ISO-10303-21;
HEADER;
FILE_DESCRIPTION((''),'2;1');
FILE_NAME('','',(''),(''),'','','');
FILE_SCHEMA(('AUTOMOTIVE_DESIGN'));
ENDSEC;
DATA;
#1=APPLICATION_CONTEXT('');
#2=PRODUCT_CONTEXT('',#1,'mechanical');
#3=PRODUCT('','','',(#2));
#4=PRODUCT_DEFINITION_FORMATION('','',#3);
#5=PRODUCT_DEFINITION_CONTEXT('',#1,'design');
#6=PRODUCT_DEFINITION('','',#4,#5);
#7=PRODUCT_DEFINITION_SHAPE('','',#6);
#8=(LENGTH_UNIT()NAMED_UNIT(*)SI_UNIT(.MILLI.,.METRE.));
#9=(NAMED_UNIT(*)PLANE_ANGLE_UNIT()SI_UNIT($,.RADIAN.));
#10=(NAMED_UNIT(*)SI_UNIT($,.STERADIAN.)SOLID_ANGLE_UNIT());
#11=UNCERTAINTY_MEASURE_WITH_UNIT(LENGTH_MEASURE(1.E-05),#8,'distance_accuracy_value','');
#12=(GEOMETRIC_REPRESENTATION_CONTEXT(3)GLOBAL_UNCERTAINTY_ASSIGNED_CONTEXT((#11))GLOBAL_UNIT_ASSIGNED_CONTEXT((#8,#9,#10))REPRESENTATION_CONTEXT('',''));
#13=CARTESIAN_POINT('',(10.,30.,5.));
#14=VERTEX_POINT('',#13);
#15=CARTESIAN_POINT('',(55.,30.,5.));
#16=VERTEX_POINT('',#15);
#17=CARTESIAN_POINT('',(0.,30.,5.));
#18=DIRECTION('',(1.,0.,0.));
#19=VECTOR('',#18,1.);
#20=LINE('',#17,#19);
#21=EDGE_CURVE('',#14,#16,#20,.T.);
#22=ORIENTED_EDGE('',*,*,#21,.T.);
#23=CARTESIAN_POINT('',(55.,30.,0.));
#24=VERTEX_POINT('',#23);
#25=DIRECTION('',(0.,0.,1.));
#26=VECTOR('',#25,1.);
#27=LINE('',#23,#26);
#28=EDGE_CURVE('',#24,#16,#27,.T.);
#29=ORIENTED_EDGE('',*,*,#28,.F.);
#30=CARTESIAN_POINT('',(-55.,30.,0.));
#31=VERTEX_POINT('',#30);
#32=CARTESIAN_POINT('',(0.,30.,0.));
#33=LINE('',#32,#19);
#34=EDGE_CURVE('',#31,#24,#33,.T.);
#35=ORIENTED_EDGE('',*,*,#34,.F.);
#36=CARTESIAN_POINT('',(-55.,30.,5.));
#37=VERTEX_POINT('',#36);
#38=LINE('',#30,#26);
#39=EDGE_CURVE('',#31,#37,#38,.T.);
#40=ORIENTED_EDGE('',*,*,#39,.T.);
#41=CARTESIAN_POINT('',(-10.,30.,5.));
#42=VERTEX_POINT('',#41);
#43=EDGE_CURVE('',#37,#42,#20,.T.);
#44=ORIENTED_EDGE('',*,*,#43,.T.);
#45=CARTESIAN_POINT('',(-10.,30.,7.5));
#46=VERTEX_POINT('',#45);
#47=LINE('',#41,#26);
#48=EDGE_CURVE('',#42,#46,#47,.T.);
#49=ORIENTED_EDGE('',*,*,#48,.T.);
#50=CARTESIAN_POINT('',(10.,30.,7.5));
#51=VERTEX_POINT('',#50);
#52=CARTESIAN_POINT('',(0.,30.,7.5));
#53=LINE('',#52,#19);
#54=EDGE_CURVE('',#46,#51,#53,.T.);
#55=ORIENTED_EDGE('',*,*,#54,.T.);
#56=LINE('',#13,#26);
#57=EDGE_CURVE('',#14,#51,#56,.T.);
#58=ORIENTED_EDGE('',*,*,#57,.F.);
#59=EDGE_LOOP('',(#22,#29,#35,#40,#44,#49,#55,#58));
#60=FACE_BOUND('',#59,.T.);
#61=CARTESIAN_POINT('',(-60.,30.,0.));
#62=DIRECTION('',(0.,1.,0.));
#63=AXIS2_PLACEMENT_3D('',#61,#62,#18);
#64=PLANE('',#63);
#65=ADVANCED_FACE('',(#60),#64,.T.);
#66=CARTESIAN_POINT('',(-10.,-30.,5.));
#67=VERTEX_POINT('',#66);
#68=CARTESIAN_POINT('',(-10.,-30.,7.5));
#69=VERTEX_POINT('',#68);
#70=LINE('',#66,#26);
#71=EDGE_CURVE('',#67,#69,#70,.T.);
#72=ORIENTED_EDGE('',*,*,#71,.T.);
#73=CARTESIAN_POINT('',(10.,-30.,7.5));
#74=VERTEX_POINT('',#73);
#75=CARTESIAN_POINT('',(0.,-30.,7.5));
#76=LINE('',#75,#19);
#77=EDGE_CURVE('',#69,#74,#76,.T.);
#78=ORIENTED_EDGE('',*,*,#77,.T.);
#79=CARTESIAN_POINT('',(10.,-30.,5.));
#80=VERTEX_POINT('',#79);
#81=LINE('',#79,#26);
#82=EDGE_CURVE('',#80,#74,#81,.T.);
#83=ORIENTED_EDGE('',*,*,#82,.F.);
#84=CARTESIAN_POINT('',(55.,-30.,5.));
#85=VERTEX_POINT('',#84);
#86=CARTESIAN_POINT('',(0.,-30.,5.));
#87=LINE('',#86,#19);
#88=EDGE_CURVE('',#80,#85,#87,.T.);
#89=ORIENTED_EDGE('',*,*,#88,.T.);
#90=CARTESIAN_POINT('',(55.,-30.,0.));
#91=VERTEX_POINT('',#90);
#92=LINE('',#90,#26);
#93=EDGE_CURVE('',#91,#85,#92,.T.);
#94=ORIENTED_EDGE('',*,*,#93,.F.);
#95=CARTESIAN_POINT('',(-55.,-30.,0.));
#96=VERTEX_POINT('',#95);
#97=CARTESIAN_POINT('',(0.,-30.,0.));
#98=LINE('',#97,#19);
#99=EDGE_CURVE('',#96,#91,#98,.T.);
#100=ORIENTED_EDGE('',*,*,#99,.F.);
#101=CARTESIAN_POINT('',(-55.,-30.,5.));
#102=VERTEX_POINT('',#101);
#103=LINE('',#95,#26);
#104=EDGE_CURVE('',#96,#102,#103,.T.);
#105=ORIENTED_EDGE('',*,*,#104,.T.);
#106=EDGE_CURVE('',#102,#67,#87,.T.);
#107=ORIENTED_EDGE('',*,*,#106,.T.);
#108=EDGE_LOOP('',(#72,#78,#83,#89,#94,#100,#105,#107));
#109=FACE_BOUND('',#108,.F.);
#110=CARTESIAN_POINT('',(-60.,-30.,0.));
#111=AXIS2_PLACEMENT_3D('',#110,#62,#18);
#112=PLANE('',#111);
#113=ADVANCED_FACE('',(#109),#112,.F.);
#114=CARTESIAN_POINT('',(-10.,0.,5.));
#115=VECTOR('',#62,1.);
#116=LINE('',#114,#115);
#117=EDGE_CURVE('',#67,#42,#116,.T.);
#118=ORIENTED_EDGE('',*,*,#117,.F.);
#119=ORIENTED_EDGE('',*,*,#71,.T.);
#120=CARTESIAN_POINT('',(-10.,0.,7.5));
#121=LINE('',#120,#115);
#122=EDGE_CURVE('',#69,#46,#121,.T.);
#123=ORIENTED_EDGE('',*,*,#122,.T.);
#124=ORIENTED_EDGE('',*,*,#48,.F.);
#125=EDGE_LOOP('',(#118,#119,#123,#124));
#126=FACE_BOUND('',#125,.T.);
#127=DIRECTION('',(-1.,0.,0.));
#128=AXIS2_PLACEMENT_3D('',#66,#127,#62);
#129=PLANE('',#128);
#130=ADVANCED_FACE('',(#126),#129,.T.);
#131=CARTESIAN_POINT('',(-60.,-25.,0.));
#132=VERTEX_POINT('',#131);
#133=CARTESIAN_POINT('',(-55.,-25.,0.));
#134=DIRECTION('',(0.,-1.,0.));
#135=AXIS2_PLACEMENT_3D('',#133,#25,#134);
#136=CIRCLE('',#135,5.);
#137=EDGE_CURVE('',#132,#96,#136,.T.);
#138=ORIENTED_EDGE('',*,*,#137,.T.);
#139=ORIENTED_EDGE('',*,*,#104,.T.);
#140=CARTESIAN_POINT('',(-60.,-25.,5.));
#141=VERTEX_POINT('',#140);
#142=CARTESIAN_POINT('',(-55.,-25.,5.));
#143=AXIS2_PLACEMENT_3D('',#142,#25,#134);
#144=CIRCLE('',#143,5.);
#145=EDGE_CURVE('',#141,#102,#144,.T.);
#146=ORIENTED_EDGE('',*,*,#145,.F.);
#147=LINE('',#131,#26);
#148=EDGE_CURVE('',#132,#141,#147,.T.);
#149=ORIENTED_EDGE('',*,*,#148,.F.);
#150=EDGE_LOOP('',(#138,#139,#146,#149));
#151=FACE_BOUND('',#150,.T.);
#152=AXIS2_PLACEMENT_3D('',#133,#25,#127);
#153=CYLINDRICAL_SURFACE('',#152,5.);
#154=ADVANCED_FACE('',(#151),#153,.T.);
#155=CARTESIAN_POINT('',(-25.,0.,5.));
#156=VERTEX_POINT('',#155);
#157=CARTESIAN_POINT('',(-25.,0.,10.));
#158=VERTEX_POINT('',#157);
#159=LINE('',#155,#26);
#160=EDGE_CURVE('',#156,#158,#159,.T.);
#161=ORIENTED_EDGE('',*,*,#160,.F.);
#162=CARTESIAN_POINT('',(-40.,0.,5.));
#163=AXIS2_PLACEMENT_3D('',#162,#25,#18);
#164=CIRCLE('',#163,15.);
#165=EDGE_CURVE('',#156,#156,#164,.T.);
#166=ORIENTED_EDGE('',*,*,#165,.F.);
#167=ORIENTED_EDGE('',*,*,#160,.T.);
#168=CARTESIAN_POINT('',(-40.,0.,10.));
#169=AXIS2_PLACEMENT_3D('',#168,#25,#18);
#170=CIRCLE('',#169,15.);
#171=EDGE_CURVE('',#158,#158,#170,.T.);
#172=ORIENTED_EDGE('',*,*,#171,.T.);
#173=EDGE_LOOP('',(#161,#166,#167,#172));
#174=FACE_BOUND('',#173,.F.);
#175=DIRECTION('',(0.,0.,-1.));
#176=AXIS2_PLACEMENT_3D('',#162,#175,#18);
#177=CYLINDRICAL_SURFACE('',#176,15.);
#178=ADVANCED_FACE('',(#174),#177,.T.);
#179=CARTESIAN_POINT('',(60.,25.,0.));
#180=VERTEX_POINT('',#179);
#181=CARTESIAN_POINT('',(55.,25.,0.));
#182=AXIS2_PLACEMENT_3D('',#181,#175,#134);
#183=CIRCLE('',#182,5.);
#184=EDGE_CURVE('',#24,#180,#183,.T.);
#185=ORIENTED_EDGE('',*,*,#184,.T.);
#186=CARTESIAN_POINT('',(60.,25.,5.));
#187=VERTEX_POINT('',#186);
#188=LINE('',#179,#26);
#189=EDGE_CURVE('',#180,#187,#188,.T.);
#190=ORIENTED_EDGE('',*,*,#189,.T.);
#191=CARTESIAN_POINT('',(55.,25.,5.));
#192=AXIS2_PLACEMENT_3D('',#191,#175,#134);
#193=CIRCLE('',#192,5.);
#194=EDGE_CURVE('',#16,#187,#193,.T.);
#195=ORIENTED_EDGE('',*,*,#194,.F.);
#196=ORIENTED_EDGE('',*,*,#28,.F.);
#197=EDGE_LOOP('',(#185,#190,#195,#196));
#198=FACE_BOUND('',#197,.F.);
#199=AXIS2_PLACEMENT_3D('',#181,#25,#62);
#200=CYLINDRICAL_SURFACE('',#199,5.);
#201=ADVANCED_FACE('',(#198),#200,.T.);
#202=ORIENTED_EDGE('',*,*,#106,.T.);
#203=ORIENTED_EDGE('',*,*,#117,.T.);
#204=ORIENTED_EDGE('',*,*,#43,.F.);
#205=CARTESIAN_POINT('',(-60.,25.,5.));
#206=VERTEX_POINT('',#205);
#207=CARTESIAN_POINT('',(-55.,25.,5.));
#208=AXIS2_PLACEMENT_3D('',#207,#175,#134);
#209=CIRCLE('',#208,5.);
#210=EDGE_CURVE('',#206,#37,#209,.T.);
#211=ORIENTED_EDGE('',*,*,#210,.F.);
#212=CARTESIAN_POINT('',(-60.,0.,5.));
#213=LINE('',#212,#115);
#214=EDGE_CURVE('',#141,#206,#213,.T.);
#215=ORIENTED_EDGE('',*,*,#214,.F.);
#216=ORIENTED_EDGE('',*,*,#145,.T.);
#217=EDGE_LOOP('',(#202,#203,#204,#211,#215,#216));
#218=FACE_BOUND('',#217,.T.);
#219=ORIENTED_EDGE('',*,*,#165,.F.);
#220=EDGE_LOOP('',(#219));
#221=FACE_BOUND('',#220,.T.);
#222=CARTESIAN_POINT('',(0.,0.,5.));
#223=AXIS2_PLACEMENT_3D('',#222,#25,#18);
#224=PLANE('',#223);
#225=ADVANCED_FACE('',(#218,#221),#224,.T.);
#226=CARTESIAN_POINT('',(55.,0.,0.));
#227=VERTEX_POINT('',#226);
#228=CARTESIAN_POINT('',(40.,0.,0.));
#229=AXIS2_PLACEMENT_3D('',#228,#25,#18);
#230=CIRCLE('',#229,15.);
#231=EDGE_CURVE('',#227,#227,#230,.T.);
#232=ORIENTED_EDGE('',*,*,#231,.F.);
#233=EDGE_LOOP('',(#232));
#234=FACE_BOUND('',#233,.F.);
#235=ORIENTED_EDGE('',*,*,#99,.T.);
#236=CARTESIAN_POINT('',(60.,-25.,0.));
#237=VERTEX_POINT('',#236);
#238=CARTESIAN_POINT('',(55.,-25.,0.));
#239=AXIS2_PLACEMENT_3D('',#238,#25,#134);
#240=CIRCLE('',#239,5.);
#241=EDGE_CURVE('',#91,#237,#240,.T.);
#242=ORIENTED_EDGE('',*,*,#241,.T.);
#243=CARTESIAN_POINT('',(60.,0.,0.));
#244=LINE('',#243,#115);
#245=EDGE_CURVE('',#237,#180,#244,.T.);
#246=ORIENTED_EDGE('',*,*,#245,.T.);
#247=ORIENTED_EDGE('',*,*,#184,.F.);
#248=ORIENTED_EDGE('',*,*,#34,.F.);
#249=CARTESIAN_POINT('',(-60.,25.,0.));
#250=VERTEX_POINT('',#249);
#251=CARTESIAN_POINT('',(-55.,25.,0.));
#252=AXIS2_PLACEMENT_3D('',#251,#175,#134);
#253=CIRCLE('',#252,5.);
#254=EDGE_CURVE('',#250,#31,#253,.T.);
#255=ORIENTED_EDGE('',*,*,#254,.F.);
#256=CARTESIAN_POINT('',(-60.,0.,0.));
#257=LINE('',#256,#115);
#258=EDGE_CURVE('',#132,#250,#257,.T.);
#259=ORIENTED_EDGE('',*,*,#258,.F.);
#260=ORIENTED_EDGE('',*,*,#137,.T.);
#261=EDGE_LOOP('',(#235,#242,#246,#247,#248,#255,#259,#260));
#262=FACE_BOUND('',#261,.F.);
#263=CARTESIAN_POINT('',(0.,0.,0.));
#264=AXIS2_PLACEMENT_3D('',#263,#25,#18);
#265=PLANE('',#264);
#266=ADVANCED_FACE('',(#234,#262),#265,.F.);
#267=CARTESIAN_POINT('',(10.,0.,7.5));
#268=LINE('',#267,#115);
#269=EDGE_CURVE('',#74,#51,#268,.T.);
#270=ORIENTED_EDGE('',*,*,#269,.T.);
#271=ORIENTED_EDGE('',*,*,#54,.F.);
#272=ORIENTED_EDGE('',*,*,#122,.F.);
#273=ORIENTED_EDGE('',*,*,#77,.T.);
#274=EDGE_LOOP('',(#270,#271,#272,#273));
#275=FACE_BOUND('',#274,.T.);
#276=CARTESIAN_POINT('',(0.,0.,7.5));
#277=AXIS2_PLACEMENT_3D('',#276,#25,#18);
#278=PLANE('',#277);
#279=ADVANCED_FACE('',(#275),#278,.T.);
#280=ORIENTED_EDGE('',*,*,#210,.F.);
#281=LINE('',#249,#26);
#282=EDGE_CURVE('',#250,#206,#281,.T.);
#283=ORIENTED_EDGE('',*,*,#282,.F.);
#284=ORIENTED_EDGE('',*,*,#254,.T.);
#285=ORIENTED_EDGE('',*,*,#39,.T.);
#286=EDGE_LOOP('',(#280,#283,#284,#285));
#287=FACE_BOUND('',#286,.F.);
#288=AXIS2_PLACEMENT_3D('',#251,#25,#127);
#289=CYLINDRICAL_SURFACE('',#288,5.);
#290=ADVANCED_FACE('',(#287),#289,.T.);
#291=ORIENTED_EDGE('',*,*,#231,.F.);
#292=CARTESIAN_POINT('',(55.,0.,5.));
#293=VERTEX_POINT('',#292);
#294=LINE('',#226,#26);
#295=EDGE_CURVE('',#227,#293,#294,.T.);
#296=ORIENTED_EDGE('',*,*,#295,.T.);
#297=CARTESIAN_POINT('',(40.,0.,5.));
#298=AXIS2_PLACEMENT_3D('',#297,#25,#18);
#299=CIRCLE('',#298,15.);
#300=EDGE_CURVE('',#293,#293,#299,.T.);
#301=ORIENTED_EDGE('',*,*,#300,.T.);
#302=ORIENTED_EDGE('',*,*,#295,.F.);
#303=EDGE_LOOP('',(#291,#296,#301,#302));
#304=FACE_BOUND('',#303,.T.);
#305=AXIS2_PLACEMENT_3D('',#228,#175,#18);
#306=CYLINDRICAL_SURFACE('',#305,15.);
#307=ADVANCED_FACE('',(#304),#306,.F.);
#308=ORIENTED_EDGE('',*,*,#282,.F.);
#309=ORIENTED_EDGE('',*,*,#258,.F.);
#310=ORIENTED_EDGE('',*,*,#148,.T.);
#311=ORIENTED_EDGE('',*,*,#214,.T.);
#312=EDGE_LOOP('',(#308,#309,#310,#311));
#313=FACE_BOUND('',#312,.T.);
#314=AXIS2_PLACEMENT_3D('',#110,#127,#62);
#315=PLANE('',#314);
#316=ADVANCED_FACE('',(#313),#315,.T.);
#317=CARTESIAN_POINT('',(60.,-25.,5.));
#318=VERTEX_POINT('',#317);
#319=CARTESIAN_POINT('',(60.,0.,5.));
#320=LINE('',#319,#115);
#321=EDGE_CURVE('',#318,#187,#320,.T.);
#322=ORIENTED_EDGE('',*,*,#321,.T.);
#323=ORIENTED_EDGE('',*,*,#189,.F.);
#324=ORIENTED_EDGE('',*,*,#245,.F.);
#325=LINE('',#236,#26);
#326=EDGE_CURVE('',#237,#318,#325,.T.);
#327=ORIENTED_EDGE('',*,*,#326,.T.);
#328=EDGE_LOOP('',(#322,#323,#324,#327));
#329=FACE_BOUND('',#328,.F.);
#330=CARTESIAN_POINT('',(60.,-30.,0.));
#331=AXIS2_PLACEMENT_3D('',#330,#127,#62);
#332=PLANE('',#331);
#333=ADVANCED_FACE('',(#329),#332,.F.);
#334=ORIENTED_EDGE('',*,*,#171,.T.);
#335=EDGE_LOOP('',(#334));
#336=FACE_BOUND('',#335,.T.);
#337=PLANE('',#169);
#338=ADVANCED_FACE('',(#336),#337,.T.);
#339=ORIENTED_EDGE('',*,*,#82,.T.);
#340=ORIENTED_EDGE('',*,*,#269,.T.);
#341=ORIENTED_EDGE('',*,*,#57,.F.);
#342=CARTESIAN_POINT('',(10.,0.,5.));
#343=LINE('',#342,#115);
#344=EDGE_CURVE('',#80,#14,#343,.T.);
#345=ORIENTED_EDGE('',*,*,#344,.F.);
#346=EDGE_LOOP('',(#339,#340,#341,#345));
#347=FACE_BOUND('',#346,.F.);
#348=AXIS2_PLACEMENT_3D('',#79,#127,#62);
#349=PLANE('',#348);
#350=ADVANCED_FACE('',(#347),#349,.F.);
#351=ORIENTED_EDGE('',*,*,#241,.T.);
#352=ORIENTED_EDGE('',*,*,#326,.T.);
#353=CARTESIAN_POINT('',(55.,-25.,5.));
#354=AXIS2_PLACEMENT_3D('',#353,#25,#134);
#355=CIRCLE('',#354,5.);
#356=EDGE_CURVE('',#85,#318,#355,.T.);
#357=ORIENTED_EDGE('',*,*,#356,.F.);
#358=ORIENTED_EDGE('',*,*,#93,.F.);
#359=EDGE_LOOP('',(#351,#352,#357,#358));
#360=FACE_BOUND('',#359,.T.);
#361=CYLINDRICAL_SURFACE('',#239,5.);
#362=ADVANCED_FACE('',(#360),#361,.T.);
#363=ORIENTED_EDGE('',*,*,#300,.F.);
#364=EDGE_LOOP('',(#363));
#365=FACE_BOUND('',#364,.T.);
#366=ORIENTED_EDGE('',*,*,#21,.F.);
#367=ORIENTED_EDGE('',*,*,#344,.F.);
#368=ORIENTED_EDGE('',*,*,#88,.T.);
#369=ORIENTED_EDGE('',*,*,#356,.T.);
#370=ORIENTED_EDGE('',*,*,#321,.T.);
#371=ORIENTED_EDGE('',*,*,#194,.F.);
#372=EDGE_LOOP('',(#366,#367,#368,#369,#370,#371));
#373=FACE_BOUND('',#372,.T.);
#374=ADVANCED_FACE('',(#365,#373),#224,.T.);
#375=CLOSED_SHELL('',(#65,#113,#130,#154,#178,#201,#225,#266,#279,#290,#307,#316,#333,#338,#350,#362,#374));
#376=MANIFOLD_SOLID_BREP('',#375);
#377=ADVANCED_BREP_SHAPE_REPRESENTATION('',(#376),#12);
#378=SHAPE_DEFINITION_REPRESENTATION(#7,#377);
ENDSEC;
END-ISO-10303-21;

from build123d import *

# Parameters (mm, degrees)
F0_W     = 120
F0_H     = 60
F0_R     = 15
F1_DEPTH = 5
F2_R     = 5
F3_R     = 15
F4_DEPTH = 5
F5_W     = 20
F5_H     = 60
F6_DEPTH = 2.5


with BuildPart() as f1:
    # F0 (on Top) → F1 (new body)
    with BuildSketch(Plane.XY):
        Rectangle(F0_W, F0_H)
        with Locations((40, 0)):
            Circle(F0_R, mode=Mode.SUBTRACT)
    extrude(amount=F1_DEPTH)

    # F2
    f2_edges = [f1.edges().sort_by_distance(p)[0] for p in [
        (60, 30, 2.5),
        (60, -30, 2.5),
        (-60, -30, 2.5),
        (-60, 30, 2.5),
    ]]
    fillet(f2_edges, radius=F2_R)

    # F3 (on face) → F4 (join)
    with BuildSketch(Plane.XY.offset(5)):
        with Locations((-40, 0)):
            Circle(F3_R)
    extrude(amount=F4_DEPTH)

    # F5 (on face) → F6 (join)
    with BuildSketch(Plane.XY.offset(5)):
        Rectangle(F5_W, F5_H)
    extrude(amount=F6_DEPTH)


solid = f1.part
